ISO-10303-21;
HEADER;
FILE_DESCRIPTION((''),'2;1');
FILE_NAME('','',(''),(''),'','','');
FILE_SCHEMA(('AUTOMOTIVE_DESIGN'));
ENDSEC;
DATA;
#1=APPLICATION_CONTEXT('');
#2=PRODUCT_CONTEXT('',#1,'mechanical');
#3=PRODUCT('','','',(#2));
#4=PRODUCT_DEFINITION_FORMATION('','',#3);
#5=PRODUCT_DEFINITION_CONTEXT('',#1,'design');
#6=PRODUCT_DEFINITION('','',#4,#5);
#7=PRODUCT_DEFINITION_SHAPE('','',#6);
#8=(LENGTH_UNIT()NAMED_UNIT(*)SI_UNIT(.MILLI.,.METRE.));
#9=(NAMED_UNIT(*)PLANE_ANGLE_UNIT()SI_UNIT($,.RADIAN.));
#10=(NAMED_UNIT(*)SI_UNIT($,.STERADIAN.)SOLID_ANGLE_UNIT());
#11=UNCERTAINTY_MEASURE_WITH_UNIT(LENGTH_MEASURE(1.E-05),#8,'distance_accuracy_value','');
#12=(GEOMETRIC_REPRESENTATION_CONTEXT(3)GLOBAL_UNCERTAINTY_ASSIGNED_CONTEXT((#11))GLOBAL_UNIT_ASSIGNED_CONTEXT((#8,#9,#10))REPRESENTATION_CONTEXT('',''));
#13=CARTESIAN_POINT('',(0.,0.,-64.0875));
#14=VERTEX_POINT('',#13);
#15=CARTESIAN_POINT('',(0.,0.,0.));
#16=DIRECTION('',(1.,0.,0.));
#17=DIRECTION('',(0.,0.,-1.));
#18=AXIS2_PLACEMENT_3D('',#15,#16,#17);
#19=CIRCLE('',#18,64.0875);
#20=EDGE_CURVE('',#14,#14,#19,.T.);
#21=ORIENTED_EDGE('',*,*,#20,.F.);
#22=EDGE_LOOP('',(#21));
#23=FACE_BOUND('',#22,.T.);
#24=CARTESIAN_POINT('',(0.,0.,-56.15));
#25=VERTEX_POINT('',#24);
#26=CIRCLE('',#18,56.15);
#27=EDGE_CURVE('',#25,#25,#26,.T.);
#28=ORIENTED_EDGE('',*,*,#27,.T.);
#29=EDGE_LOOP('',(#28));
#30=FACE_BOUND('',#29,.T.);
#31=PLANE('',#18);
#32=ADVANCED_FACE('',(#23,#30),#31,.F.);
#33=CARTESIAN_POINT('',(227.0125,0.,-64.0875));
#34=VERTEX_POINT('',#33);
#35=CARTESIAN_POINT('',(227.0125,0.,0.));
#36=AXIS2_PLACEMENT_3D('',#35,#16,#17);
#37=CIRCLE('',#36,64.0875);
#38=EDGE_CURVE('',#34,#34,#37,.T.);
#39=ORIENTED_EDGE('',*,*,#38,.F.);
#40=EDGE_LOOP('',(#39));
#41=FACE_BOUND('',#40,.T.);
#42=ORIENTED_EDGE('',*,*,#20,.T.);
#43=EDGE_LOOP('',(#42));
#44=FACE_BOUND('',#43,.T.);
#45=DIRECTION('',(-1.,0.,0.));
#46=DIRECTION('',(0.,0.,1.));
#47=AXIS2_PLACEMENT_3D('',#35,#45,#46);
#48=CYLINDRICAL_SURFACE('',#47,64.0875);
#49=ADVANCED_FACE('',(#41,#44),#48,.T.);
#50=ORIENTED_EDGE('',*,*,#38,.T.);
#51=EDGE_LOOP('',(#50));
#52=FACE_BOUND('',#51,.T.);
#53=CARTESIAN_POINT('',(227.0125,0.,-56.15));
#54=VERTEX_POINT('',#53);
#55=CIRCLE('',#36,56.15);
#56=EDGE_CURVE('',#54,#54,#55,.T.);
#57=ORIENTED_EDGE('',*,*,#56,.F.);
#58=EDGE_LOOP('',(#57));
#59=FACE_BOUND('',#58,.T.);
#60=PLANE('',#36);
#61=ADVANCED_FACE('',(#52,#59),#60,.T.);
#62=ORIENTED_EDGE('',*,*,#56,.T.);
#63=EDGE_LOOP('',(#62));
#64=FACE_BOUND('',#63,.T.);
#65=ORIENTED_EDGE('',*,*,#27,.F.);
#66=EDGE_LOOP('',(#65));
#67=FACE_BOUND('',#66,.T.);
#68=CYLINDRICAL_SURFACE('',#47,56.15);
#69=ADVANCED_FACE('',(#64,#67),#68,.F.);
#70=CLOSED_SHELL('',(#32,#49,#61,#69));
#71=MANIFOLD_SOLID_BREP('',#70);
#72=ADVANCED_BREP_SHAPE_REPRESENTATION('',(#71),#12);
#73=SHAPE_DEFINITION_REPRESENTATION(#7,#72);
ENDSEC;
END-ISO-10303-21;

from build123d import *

# Parameters (mm, degrees)
CROQUIS1_R              = 64.0875
CROQUIS1_R_2            = 56.15
SALIENTE_EXTRUIR1_DEPTH = 227.0125


with BuildPart() as part:
    # Croquis1 → Saliente-Extruir1 (new body)
    with BuildSketch(Plane(origin=(0, 0, 0), x_dir=(0, 0, -1), z_dir=(1, 0, 0))):
        Circle(CROQUIS1_R)
        Circle(CROQUIS1_R_2, mode=Mode.SUBTRACT)
    extrude(amount=SALIENTE_EXTRUIR1_DEPTH)


solid = part.part
